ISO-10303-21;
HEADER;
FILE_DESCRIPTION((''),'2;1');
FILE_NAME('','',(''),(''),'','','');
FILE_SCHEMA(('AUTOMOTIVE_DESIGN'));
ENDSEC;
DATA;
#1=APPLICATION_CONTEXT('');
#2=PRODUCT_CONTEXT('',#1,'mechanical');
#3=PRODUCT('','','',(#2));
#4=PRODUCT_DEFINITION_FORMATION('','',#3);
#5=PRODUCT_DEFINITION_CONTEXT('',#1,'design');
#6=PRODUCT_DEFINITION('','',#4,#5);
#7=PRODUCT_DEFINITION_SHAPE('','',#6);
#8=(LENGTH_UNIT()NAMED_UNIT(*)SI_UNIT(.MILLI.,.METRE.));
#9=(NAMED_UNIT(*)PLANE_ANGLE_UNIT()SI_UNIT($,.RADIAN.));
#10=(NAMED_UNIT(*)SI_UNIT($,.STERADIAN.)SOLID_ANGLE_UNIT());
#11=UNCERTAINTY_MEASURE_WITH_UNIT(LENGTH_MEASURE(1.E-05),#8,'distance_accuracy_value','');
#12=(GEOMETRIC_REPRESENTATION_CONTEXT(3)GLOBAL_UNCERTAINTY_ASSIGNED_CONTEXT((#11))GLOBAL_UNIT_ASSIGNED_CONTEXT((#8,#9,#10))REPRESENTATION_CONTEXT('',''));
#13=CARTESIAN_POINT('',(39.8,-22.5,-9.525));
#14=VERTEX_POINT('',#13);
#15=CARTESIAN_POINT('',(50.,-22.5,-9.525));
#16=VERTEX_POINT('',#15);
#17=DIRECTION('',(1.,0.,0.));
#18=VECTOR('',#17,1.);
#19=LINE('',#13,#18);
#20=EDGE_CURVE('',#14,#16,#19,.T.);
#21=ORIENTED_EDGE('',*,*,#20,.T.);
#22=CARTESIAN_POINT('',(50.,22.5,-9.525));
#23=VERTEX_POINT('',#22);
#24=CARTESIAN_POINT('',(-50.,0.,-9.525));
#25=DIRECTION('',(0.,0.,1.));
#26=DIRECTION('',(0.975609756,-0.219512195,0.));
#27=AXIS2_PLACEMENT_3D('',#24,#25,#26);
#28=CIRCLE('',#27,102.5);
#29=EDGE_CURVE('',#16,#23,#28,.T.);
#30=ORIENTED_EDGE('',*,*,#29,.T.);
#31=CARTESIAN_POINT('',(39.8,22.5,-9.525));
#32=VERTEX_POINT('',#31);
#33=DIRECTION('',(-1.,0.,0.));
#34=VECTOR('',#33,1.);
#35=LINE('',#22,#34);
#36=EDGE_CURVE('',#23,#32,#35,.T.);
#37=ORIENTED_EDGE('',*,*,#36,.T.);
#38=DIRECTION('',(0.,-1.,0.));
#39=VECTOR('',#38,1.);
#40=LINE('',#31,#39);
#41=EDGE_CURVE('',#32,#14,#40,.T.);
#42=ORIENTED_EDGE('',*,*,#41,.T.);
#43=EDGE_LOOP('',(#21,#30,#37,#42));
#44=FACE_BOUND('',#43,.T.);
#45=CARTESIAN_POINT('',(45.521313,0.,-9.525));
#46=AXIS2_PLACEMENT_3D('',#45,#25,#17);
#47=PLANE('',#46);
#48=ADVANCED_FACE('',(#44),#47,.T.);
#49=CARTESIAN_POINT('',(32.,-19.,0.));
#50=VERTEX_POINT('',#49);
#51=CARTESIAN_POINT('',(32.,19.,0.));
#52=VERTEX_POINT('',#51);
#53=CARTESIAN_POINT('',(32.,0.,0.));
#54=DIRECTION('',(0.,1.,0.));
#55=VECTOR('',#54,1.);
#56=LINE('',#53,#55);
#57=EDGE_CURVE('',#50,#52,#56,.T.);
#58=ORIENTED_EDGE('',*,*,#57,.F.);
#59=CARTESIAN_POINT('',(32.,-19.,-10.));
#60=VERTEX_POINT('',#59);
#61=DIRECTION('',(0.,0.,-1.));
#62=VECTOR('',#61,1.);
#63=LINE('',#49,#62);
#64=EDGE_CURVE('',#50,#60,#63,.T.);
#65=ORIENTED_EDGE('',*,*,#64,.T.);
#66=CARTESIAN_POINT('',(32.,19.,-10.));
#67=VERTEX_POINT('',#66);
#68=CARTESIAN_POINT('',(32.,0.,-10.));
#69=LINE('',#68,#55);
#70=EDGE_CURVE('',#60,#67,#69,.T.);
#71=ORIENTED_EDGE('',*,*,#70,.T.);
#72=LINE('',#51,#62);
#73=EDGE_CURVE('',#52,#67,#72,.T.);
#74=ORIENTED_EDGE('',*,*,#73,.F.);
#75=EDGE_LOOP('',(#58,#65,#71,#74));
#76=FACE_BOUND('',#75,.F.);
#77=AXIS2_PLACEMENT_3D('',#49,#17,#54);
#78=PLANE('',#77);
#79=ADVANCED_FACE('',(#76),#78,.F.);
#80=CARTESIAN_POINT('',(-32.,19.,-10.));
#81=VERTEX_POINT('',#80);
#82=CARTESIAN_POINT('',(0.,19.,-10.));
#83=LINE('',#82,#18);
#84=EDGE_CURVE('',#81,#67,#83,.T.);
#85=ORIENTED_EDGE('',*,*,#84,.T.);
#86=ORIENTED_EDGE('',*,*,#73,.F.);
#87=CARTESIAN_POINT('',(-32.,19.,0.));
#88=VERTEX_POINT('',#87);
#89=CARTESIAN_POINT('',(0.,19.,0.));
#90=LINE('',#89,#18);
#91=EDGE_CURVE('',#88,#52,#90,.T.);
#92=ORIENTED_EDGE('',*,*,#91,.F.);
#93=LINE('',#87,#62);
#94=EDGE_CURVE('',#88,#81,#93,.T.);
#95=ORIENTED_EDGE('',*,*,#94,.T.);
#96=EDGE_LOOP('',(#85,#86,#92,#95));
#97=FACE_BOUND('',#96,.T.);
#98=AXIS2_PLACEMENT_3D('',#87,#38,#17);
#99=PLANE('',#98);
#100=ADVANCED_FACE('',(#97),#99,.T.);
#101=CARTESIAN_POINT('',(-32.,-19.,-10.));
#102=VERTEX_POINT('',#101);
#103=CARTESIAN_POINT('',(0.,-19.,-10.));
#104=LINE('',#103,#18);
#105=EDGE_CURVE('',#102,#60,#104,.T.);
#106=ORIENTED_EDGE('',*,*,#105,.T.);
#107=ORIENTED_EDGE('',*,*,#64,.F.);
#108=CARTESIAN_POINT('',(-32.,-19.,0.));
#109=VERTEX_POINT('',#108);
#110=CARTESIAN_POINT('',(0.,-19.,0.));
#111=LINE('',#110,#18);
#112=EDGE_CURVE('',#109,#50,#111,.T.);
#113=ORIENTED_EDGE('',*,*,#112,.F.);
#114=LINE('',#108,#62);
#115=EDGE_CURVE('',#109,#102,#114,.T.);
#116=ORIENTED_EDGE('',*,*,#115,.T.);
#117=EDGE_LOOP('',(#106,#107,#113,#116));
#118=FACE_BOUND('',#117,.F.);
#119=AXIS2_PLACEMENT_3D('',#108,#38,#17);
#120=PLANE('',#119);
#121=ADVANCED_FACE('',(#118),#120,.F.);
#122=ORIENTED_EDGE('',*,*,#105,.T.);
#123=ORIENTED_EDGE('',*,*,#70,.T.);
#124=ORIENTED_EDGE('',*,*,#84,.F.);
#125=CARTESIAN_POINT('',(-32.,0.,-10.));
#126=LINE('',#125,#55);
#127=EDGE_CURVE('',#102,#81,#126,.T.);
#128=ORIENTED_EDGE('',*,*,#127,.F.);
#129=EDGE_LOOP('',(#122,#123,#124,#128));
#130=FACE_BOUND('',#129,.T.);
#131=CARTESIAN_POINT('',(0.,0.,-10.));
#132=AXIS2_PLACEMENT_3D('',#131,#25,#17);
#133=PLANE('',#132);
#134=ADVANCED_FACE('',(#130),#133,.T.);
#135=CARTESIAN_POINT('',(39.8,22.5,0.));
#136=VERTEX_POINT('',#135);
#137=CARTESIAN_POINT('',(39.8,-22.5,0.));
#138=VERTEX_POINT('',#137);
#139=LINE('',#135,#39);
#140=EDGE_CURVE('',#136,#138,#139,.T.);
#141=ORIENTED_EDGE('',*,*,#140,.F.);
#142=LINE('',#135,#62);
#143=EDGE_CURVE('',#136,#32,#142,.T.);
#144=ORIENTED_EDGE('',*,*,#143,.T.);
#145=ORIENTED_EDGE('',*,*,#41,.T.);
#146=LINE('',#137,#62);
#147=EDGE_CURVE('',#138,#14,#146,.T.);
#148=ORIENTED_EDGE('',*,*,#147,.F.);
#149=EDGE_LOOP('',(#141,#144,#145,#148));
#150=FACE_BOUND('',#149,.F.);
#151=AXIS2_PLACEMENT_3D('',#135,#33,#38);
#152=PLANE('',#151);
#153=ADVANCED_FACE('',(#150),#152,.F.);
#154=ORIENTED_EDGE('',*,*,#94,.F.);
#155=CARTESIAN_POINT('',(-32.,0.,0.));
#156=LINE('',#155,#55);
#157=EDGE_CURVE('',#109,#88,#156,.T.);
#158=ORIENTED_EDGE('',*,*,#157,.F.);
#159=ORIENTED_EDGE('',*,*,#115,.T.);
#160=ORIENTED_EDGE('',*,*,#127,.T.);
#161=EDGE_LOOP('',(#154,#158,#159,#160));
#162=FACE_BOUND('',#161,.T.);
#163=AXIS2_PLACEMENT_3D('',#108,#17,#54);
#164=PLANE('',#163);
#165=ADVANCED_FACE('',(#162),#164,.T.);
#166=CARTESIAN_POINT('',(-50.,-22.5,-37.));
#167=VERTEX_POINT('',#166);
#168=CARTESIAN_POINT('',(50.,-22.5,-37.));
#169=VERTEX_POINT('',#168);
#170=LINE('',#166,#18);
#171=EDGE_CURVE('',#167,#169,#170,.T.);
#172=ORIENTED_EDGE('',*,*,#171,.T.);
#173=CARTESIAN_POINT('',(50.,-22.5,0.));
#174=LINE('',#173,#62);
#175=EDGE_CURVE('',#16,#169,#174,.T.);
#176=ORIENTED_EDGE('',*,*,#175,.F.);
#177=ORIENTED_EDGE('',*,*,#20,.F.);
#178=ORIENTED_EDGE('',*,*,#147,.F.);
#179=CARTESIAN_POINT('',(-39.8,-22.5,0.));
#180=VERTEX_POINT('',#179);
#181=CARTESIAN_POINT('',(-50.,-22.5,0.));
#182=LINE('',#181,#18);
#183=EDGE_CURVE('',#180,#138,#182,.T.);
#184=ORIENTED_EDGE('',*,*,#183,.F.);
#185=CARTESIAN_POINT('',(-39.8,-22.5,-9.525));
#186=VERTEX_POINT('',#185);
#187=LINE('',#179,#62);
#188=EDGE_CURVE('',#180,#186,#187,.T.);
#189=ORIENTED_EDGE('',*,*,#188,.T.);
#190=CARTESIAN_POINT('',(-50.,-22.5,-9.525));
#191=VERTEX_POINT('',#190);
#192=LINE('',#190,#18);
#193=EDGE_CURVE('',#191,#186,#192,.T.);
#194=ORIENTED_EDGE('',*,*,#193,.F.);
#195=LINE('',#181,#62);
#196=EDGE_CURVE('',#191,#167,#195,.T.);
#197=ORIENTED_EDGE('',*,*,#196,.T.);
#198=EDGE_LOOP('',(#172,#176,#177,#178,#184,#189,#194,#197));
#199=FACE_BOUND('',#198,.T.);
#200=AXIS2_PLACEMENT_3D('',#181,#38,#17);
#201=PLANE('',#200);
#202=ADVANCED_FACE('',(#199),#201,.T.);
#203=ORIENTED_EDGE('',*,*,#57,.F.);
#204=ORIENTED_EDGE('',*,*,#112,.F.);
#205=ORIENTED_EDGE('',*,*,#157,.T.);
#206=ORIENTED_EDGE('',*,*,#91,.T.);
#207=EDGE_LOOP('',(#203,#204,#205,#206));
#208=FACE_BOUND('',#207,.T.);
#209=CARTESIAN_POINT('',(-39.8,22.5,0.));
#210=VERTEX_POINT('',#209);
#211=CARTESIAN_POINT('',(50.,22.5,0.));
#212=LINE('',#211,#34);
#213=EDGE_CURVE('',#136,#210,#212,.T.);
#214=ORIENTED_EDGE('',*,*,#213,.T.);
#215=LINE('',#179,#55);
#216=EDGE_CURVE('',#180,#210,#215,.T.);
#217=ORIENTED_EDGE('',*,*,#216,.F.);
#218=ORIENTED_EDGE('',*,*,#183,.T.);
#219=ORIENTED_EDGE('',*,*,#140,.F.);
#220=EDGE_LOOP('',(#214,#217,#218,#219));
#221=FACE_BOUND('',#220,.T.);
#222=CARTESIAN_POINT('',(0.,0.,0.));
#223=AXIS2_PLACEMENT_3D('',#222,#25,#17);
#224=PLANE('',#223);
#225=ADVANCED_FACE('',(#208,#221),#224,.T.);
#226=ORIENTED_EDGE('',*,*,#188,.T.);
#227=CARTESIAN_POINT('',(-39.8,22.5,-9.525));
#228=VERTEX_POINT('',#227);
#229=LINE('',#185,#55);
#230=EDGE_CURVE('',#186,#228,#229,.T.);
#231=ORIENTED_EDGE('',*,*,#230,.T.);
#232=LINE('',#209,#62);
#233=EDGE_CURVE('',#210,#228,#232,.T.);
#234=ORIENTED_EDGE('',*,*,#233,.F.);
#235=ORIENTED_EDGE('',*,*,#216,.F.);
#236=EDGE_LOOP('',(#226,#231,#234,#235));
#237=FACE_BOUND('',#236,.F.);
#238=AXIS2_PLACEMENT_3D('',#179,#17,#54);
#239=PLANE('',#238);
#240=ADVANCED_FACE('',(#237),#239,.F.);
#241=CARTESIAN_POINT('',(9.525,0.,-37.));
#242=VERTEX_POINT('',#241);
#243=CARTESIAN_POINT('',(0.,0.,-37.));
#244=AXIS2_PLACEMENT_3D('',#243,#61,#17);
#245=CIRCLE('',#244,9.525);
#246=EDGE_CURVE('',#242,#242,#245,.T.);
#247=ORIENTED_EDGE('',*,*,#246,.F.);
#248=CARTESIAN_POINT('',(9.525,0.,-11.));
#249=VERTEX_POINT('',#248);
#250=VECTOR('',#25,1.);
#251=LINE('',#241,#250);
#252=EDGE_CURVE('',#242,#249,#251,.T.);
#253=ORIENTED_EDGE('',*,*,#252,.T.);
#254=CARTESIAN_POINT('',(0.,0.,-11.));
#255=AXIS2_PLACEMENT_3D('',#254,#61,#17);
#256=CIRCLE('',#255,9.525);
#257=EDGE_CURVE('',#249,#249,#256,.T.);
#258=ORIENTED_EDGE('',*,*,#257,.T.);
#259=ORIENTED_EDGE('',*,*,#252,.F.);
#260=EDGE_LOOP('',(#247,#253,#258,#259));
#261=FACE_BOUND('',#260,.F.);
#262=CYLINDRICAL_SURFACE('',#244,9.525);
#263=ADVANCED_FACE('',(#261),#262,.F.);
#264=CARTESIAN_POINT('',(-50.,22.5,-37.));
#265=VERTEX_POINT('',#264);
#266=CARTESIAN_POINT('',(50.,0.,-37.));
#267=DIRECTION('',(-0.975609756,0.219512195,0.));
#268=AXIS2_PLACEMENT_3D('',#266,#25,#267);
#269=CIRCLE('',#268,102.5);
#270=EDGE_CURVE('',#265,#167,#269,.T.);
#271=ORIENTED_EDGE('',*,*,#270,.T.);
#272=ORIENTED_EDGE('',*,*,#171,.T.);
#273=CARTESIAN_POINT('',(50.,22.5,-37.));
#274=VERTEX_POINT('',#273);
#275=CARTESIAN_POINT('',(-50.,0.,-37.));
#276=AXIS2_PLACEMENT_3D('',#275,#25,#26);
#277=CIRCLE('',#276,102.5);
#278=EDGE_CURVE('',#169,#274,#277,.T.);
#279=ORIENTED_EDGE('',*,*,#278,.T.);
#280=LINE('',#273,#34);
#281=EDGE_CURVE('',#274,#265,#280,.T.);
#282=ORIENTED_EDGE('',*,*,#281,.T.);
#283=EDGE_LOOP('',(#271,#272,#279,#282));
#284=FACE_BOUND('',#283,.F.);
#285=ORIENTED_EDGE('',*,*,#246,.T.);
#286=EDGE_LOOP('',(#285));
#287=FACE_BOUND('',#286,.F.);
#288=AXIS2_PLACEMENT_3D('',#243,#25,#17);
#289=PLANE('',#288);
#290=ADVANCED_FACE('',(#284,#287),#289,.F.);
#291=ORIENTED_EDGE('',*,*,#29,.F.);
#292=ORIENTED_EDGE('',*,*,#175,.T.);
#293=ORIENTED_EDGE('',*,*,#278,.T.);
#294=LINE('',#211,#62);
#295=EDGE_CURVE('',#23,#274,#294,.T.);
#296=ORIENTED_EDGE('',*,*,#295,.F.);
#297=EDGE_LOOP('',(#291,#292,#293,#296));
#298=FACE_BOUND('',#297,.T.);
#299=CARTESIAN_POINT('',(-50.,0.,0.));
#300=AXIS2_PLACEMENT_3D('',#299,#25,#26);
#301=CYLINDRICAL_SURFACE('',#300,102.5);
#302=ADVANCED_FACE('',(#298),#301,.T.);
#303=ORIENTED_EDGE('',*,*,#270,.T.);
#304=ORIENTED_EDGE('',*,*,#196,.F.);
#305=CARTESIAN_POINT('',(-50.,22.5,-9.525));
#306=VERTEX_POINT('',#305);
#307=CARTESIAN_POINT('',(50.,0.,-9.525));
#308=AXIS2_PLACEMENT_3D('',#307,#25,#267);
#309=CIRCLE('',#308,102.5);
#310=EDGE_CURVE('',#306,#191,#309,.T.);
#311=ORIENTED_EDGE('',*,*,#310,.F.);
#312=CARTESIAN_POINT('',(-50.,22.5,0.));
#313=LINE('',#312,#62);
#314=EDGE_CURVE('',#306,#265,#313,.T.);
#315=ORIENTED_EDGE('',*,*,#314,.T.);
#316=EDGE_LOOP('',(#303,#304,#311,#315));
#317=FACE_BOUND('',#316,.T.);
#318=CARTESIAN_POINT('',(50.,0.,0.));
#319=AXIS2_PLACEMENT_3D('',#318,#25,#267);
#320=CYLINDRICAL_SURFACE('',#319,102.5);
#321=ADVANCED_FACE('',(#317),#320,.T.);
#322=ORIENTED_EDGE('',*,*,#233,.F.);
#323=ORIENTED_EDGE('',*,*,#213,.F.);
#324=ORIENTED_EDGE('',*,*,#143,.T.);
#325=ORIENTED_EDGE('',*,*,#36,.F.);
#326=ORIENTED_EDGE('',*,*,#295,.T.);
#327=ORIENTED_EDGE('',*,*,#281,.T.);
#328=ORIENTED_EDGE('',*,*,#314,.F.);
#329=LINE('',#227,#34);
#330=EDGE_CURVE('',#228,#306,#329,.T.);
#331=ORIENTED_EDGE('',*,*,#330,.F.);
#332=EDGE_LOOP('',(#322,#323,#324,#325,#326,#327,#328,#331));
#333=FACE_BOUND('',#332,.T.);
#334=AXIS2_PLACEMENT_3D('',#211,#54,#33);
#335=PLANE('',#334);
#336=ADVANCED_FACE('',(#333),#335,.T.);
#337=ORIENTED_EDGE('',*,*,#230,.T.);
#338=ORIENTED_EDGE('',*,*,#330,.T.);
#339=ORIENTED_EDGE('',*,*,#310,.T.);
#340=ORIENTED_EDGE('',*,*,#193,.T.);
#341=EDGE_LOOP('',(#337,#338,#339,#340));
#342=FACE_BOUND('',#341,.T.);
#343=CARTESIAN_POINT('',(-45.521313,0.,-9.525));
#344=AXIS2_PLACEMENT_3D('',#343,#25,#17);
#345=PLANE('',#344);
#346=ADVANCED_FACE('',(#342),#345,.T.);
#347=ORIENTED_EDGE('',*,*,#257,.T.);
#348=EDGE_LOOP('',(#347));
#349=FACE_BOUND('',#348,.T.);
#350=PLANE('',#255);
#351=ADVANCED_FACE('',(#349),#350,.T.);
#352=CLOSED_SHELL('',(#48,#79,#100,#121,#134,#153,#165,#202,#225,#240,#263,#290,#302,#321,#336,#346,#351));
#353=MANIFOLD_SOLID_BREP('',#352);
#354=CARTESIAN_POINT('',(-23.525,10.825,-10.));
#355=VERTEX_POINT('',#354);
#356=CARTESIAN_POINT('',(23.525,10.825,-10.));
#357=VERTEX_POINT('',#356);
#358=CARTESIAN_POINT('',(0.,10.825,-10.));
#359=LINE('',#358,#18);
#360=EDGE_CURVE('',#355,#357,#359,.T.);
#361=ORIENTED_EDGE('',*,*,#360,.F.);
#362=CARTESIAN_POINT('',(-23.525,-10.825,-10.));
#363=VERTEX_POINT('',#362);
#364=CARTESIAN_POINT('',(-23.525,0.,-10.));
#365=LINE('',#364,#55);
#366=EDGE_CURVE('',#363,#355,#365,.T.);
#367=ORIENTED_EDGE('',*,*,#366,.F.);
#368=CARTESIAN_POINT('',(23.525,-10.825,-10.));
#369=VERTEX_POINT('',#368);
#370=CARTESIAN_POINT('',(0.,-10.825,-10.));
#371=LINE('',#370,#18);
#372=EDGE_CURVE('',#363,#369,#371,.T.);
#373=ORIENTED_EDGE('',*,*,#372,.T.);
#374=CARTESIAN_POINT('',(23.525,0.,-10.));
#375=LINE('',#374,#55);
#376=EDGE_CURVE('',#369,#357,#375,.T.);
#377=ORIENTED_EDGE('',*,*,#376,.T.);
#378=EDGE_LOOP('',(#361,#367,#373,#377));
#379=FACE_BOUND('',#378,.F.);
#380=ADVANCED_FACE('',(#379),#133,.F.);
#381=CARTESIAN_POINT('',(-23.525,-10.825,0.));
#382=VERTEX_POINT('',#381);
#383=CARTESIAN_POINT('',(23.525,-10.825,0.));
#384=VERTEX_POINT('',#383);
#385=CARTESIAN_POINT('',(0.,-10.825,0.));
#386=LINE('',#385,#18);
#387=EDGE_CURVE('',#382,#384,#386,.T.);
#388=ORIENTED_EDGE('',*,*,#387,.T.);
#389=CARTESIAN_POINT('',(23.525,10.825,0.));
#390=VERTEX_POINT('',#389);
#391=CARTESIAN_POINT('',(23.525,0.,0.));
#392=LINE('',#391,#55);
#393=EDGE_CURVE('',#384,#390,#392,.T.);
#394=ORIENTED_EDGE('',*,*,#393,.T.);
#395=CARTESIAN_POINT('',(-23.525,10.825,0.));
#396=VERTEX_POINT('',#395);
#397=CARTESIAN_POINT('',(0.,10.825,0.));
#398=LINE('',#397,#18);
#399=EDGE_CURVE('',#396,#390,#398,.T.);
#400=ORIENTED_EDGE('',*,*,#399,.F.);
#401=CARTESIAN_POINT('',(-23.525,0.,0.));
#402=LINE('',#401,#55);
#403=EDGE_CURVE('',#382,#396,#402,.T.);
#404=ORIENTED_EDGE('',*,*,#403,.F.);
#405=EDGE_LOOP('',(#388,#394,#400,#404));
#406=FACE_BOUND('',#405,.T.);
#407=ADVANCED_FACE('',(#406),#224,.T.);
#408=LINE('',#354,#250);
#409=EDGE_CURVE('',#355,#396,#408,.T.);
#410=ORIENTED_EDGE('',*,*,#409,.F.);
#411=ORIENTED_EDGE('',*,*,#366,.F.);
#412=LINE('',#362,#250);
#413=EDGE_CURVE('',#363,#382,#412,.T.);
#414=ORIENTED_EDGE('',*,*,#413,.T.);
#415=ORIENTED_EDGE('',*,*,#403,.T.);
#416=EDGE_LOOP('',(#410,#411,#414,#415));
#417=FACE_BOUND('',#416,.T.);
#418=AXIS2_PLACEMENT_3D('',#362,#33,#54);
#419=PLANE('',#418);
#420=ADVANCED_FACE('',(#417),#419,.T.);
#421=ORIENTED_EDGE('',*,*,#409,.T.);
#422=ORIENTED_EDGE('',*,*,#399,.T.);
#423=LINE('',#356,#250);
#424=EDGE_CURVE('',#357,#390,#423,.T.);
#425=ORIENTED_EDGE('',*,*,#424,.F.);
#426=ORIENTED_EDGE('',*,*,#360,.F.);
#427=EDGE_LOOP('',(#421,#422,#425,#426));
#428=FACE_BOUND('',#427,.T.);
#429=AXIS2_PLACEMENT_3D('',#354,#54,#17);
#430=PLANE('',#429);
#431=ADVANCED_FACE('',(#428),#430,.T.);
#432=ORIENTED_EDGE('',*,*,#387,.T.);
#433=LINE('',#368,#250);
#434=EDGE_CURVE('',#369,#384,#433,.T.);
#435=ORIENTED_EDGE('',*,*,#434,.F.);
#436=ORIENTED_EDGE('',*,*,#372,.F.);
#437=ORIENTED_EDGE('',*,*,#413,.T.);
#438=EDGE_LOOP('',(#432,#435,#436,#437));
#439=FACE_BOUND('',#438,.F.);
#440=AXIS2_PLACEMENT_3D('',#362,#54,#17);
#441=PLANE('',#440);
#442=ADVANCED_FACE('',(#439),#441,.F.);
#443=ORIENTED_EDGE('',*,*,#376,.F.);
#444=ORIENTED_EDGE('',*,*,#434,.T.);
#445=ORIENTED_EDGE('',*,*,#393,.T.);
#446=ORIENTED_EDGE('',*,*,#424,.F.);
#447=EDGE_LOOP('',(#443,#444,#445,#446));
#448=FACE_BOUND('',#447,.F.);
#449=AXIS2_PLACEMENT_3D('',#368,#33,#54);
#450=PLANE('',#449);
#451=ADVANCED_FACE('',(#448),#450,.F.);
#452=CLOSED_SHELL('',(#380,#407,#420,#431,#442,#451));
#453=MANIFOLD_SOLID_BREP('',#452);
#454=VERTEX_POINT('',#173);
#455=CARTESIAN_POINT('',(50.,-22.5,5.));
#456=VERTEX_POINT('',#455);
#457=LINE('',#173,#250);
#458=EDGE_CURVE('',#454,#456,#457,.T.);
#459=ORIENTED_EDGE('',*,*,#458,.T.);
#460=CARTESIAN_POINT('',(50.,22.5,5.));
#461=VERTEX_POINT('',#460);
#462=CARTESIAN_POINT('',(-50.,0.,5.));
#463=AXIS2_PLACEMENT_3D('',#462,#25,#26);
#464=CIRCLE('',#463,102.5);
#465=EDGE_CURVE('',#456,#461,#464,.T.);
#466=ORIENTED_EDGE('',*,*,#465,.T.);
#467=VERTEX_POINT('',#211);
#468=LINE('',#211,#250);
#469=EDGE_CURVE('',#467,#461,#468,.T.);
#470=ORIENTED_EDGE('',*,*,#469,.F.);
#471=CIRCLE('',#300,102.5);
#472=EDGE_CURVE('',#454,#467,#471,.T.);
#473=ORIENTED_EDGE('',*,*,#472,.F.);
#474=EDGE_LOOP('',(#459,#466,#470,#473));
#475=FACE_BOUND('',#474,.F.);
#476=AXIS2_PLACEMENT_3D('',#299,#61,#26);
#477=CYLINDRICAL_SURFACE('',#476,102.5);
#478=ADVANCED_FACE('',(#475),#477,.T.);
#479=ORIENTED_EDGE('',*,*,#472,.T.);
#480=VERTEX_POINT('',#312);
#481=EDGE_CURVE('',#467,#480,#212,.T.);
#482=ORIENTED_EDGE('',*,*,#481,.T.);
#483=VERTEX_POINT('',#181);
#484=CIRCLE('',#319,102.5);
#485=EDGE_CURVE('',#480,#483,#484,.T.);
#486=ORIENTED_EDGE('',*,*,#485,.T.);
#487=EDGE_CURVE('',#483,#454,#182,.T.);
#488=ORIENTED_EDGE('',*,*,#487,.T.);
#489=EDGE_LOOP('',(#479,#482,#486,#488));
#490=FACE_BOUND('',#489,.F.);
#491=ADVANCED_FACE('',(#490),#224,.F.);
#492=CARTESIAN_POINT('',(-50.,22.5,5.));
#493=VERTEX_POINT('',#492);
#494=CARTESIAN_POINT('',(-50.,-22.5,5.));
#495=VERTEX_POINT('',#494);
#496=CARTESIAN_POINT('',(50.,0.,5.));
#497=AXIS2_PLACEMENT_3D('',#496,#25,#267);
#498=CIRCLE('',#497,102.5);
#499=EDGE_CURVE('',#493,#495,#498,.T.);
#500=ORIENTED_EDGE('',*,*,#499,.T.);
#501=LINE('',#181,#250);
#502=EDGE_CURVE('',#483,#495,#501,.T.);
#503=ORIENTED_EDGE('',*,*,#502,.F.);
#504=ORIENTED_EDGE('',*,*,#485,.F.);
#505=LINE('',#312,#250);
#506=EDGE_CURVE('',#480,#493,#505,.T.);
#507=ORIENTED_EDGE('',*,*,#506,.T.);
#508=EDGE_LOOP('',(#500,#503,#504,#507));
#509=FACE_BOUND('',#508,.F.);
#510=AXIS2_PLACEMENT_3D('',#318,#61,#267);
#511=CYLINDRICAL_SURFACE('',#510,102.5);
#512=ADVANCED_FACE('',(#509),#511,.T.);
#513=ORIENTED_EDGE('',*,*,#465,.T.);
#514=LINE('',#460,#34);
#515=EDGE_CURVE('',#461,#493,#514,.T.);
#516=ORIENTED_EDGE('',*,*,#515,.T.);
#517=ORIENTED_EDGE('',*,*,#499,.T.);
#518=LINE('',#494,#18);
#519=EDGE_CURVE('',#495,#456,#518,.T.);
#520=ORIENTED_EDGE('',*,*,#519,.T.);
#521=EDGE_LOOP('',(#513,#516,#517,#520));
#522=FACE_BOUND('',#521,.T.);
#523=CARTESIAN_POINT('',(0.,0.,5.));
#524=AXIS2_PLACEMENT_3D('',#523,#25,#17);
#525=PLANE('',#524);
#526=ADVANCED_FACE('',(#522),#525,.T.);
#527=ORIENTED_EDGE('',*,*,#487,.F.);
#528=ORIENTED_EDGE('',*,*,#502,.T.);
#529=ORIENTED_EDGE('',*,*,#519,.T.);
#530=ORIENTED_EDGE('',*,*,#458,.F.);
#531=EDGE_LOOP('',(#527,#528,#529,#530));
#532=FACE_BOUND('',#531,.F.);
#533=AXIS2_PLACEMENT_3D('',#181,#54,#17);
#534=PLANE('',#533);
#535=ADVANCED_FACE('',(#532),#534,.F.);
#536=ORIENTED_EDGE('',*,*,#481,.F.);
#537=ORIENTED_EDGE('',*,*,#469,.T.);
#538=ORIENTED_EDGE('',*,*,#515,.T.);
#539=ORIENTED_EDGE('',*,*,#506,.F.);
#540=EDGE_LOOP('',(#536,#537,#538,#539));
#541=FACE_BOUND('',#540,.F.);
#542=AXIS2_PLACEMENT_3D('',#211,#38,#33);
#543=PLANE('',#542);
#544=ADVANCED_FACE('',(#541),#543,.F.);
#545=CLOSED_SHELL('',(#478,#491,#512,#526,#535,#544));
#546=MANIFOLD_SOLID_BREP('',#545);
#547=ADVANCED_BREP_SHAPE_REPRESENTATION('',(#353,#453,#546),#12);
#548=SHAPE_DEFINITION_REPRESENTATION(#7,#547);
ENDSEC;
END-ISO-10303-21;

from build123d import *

# Parameters (mm, degrees)
F1_DEPTH  = 37
F2_W      = 64
F2_H      = 38
F3_DEPTH  = 10
F5_DEPTH  = 9.525
F6_W      = 47.05
F6_H      = 21.65
F7_DEPTH  = 10
F9_DEPTH  = 5
F10_R     = 9.525
F11_DEPTH = 26


with BuildPart() as f1:
    # F0 (on Top) → F1 (new body)
    with BuildSketch(Plane.XY):
        with BuildLine():
            Line((50, 22.5), (-50, 22.5))
            ThreePointArc((-50, 22.5), (-52.5, 0), (-50, -22.5))
            Line((-50, -22.5), (50, -22.5))
            ThreePointArc((50, -22.5), (52.5, 0), (50, 22.5))
        make_face()
    extrude(amount=-F1_DEPTH)

    # F2 (on face) → F3 (cut)
    with BuildSketch(Plane.XY):
        Rectangle(F2_W, F2_H)
    extrude(amount=-F3_DEPTH, mode=Mode.SUBTRACT)

    # F4 (on face) → F5 (cut)
    with BuildSketch(Plane.XY):
        with BuildLine():
            Line((-39.8, -22.5), (-39.8, 22.5))
            Line((-39.8, 22.5), (-50, 22.5))
            ThreePointArc((-50, 22.5), (-52.5, 0), (-50, -22.5))
            Line((-50, -22.5), (-39.8, -22.5))
        make_face()
        with BuildLine():
            Line((50, 22.5), (39.8, 22.5))
            Line((39.8, 22.5), (39.8, -22.5))
            Line((39.8, -22.5), (50, -22.5))
            ThreePointArc((50, -22.5), (52.5, 0), (50, 22.5))
        make_face()
    extrude(amount=-F5_DEPTH, mode=Mode.SUBTRACT)

    # F10 (on face) → F11 (cut)
    with BuildSketch(Plane(origin=(0, 0, -37), x_dir=(1, 0, 0), z_dir=(0, 0, -1))):
        Circle(F10_R)
    extrude(amount=-F11_DEPTH, mode=Mode.SUBTRACT)


with BuildPart() as f7:
    # F6 (on face) → F7 (new body)
    with BuildSketch(Plane.XY.offset(-10)):
        Rectangle(F6_W, F6_H)
    extrude(amount=F7_DEPTH)


with BuildPart() as f9:
    # F8 (on face) → F9 (new body)
    with BuildSketch(Plane.XY):
        with BuildLine():
            Line((50, 22.5), (-50, 22.5))
            ThreePointArc((-50, 22.5), (-52.5, 0), (-50, -22.5))
            Line((-50, -22.5), (50, -22.5))
            ThreePointArc((50, -22.5), (52.5, 0), (50, 22.5))
        make_face()
    extrude(amount=F9_DEPTH)


solid = Compound([f1.part, f7.part, f9.part])
